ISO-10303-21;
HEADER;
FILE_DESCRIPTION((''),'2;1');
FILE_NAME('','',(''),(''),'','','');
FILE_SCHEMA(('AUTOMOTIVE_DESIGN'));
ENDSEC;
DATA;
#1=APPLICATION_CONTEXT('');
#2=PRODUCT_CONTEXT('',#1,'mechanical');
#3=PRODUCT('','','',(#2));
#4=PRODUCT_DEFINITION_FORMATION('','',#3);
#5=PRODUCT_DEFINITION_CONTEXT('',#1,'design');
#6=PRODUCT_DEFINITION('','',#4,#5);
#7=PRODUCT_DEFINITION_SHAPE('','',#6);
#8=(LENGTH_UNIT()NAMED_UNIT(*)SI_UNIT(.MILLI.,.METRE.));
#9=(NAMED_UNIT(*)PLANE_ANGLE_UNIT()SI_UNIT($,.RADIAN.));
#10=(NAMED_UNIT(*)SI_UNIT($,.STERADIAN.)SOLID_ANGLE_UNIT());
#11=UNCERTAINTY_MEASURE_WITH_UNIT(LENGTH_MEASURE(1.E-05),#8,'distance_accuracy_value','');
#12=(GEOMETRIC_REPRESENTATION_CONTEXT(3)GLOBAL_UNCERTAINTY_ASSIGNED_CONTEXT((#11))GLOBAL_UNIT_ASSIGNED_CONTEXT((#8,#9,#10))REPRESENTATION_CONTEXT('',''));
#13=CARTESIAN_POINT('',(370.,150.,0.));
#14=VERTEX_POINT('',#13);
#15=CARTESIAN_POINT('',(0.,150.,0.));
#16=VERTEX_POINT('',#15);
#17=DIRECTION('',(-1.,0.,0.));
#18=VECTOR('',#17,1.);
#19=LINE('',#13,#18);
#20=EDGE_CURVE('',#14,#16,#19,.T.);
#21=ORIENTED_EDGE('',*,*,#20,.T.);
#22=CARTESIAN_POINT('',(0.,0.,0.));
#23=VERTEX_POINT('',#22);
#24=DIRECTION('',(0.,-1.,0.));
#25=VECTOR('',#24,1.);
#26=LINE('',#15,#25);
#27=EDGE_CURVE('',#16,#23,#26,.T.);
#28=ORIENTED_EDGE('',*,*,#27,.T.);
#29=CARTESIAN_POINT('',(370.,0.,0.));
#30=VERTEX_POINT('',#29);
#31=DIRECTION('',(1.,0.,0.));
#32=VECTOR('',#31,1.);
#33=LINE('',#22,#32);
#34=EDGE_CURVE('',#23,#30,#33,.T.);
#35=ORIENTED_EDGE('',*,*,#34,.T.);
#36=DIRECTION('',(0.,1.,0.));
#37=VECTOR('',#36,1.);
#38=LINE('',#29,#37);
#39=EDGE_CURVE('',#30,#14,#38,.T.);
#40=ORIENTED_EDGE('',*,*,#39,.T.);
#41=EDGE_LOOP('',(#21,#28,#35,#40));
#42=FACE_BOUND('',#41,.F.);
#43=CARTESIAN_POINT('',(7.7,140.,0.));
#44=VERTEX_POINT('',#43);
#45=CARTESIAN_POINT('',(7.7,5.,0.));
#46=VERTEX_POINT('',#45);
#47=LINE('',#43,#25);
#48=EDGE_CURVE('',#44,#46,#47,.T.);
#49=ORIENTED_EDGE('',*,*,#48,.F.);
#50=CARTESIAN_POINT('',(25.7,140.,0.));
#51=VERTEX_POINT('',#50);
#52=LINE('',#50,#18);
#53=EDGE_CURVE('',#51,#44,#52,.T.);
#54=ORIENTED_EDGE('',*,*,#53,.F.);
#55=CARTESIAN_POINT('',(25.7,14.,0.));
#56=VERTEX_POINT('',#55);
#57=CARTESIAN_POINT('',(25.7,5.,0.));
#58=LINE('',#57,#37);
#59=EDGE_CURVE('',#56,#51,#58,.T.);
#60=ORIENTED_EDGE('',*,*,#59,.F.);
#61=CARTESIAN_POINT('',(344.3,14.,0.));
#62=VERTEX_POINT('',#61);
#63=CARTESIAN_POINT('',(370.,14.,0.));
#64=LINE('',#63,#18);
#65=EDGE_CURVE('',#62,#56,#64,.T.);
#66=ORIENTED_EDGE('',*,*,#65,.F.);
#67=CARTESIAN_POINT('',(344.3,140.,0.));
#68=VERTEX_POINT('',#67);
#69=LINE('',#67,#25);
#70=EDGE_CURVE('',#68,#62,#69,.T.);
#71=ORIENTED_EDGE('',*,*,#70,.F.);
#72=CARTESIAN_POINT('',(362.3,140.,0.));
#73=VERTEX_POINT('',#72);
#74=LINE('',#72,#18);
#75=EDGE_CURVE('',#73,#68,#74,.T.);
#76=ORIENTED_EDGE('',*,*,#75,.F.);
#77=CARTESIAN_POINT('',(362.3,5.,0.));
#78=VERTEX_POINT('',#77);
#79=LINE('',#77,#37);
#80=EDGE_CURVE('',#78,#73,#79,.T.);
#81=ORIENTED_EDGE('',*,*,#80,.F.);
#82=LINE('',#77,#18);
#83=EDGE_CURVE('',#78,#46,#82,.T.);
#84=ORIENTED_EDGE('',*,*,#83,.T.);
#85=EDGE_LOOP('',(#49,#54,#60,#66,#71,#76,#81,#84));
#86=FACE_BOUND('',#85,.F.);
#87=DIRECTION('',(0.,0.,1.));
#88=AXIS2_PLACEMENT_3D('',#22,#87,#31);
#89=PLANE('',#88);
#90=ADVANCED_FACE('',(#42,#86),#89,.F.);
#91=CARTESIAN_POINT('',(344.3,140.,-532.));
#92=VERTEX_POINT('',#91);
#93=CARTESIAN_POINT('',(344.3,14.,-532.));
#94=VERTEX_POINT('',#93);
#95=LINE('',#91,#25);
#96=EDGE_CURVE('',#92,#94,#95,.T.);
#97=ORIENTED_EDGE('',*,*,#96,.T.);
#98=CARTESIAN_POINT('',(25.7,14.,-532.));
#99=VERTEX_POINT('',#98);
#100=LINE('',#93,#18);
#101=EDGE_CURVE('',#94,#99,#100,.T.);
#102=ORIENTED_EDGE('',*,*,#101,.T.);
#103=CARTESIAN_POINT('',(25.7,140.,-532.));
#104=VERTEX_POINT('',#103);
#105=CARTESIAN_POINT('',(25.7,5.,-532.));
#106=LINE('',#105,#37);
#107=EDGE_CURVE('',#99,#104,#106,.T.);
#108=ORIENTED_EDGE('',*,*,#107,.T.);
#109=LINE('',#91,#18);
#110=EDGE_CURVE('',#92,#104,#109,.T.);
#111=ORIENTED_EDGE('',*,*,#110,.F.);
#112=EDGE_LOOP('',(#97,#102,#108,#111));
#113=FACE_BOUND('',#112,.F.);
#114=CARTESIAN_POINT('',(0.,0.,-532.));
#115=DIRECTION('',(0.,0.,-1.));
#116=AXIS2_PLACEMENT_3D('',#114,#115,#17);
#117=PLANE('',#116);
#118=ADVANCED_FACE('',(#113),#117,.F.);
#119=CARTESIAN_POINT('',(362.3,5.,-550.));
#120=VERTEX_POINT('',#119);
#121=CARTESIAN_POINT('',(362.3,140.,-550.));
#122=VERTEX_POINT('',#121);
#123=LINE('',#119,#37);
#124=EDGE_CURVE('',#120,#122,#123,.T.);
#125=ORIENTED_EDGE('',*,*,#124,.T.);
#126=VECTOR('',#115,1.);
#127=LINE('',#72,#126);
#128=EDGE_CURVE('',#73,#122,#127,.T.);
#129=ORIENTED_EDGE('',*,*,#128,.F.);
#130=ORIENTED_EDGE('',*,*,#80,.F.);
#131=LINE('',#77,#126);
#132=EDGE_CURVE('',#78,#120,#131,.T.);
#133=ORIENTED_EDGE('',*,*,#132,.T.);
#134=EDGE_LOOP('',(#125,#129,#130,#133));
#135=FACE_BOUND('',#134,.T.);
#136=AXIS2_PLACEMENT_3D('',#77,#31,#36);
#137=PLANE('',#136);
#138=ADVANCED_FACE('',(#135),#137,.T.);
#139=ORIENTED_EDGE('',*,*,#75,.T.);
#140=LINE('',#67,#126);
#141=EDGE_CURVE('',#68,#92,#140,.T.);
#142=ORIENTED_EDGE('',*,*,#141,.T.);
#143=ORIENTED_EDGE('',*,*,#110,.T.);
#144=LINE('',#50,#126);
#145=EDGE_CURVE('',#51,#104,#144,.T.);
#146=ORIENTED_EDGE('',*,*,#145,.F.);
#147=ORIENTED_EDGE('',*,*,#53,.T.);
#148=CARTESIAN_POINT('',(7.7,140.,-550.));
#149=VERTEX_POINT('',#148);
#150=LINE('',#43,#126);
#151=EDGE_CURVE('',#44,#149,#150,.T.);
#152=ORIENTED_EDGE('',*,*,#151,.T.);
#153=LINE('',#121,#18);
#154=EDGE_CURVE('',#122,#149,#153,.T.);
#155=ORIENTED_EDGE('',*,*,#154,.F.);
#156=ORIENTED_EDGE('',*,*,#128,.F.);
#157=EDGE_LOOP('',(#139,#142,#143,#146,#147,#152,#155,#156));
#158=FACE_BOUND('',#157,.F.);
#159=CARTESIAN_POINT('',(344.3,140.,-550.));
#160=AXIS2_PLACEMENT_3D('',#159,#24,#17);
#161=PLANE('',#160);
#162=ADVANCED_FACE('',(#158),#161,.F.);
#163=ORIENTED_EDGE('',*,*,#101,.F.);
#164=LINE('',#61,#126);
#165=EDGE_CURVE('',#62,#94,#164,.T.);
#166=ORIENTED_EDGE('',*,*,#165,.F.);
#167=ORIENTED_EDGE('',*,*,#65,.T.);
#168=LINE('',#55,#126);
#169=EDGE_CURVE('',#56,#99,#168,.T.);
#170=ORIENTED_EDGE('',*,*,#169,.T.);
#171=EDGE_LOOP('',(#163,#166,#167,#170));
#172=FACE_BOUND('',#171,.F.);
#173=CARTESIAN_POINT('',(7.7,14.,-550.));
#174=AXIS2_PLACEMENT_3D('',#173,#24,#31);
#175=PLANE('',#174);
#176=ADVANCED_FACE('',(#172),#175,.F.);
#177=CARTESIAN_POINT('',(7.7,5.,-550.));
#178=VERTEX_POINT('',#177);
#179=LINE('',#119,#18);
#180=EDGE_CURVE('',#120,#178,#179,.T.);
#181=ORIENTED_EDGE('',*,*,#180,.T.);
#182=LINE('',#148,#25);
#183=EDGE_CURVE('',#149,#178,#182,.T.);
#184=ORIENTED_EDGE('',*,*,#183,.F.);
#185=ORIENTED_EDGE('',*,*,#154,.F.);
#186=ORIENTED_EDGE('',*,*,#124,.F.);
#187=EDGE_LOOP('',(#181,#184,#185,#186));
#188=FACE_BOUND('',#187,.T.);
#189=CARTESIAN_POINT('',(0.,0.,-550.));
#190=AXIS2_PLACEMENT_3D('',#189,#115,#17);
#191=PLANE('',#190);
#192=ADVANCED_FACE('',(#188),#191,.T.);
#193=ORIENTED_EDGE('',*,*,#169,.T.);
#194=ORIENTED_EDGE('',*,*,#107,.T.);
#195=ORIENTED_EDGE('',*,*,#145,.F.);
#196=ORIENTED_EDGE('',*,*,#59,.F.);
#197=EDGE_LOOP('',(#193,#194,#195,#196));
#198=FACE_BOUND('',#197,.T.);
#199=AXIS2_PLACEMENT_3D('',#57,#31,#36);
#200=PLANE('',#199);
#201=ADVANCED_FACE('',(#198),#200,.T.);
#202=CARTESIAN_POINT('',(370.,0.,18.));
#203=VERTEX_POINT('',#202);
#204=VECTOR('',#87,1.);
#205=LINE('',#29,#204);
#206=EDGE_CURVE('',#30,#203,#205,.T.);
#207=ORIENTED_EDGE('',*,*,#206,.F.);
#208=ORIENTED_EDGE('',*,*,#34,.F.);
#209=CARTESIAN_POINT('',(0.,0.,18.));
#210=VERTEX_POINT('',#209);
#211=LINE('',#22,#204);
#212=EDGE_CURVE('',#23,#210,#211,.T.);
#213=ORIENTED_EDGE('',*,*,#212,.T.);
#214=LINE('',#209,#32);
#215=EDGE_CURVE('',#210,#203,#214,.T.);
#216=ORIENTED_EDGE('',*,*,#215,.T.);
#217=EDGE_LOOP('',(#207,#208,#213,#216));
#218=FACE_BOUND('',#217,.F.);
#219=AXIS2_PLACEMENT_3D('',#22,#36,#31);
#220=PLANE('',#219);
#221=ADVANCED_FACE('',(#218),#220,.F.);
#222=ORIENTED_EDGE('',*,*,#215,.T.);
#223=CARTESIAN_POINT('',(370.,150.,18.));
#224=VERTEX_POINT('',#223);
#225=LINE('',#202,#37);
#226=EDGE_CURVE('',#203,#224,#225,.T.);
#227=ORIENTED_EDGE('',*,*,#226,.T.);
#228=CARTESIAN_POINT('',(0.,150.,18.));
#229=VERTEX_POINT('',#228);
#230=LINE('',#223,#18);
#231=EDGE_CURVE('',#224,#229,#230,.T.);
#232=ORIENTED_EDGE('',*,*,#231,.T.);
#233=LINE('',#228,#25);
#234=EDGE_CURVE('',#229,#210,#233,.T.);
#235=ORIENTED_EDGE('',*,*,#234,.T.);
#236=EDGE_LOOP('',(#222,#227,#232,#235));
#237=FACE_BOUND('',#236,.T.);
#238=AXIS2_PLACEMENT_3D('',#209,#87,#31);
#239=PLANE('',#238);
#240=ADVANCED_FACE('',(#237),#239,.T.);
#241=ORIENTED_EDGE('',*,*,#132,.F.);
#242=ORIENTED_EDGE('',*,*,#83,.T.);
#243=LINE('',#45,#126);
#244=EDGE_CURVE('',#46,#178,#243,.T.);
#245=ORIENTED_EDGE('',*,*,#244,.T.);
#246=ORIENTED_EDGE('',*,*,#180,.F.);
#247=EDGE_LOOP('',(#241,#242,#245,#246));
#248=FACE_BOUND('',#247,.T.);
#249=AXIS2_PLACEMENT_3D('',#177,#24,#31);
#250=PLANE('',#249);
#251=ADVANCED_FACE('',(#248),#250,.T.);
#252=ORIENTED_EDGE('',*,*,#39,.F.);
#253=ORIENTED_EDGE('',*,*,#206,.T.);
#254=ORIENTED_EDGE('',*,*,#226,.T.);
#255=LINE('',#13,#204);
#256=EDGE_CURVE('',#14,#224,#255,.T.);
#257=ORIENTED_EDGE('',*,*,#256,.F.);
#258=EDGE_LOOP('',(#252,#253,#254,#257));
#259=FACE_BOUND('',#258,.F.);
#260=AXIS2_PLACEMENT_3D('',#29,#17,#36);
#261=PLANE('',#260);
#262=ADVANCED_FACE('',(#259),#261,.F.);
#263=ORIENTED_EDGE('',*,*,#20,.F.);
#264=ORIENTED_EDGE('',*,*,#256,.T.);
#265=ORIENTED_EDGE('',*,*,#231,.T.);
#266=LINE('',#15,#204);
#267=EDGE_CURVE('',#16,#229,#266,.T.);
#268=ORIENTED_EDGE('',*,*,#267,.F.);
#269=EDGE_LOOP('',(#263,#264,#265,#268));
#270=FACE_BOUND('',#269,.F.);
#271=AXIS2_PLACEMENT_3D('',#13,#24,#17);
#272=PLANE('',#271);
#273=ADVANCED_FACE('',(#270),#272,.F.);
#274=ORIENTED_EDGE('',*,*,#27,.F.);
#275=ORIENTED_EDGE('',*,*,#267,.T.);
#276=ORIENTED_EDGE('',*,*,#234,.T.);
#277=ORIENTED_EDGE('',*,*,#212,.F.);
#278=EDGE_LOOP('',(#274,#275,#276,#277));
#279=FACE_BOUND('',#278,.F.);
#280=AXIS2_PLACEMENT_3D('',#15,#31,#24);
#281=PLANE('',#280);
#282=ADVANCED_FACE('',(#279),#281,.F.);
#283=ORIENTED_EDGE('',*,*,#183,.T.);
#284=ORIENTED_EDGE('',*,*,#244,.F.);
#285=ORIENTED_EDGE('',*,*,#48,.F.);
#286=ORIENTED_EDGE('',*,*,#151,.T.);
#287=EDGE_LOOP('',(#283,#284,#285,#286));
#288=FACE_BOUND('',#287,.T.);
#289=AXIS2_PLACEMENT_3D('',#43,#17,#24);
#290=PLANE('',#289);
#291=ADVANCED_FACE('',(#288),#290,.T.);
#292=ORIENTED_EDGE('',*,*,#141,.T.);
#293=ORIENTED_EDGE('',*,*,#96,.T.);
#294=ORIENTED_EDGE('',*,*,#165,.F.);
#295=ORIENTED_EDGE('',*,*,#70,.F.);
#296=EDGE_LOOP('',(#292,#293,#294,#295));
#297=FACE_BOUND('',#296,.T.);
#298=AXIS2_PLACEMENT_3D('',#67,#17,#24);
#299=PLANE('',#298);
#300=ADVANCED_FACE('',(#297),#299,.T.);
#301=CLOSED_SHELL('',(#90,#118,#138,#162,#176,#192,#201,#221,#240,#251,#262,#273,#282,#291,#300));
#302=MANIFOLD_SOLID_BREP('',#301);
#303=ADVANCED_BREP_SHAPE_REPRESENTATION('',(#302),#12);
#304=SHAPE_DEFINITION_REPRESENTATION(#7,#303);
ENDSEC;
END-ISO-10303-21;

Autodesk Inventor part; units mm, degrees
ref_plane "YZ Plane" through (0, 0, 0) normal (1, 0, 0) x (0, 1, 0)
ref_plane "XZ Plane" through (0, 0, 0) normal (0, 1, 0) x (-1, 0, 0)
ref_plane "XY Plane" through (0, 0, 0) normal (0, 0, 1) x (1, 0, 0)
sketch "Sketch5" plane through (0, 0, 0) normal (0, 0, 1) x (1, 0, 0)
  line L0 (0, 0) -> (370, 0)
  line L1 (370, 0) -> (370, 150)
  line L2 (370, 150) -> (0, 150)
  line L3 (0, 150) -> (0, 0)
  dimension "d15" = 370
  dimension "d16" = 150
extrude "Extrusion5" add sketch "Sketch5" along normal blind 18
sketch "Sketch6" plane through (0, 0, 0) normal (0, 0, -1) x (-1, 0, 0)
  line L0 (-362.3, 140) -> (-344.3, 140)
  line L1 (-344.3, 140) -> (-344.3, 5)
  line L2 (-344.3, 5) -> (-362.3, 5)
  line L3 (-362.3, 5) -> (-362.3, 140)
  line L4 (-370, 0) -> (-370, 150) projected
  line L5 (0, 0) -> (-370, 0) projected
  line L6 (-25.7, 140) -> (-7.7, 140)
  line L7 (-7.7, 140) -> (-7.7, 5)
  line L8 (-7.7, 5) -> (-25.7, 5)
  line L9 (-25.7, 5) -> (-25.7, 140)
  line L10 (0, 150) -> (0, 0) projected
  dimension "d19" = 18
  dimension "d20" = 135
  dimension "d21" = 7.7
  dimension "d22" = 5
  dimension "d23" = 18
  dimension "d24" = 7.7
  dimension "d25" = 5
extrude "Extrusion6" add sketch "Sketch6" along normal blind 550
sketch "Sketch7" plane through (0, 0, -550) normal (0, 0, -1) x (-1, 0, 0)
  line L0 (-344.3, 140) -> (-344.3, 5) projected
  line L1 (-25.7, 5) -> (-25.7, 140) projected
  line L2 (-344.3, 140) -> (-25.7, 140)
  line L3 (-25.7, 140) -> (-25.7, 5)
  line L4 (-25.7, 5) -> (-344.3, 5)
  line L5 (-344.3, 5) -> (-344.3, 140)
  point P0 (0, 0)
extrude "Extrusion7" add sketch "Sketch7" against normal blind 18
sketch "Sketch8" plane through (7.7, 5, -550) normal (0, -1, 0) x (1, 0, 0)
  line L0 (354.6, 550) -> (336.6, 550) projected
  line L1 (354.6, 550) -> (354.6, 0) projected
  line L2 (0, 0) -> (354.6, 0) projected
  line L3 (0, 550) -> (0, 0) projected
  line L4 (18, 550) -> (0, 550) projected
  line L5 (18, 550) -> (18, 18) projected
  line L6 (336.6, 18) -> (18, 18) projected
  line L7 (336.6, 550) -> (336.6, 18) projected
  line L8 (362.3, 550) -> (-7.7, 550) projected
extrude "Extrusion8" add sketch "Sketch8" against normal blind 9 contours L7 L6 L5 L8
equation "\"d16\" = Cajon02Altura"
equation "\"d24\" = d21"
equation "\"d25\" = d22"
equation "\"Cajon02Altura\" = 150"
properties part number "FrenteGrande" material "Wood (Birch)"
